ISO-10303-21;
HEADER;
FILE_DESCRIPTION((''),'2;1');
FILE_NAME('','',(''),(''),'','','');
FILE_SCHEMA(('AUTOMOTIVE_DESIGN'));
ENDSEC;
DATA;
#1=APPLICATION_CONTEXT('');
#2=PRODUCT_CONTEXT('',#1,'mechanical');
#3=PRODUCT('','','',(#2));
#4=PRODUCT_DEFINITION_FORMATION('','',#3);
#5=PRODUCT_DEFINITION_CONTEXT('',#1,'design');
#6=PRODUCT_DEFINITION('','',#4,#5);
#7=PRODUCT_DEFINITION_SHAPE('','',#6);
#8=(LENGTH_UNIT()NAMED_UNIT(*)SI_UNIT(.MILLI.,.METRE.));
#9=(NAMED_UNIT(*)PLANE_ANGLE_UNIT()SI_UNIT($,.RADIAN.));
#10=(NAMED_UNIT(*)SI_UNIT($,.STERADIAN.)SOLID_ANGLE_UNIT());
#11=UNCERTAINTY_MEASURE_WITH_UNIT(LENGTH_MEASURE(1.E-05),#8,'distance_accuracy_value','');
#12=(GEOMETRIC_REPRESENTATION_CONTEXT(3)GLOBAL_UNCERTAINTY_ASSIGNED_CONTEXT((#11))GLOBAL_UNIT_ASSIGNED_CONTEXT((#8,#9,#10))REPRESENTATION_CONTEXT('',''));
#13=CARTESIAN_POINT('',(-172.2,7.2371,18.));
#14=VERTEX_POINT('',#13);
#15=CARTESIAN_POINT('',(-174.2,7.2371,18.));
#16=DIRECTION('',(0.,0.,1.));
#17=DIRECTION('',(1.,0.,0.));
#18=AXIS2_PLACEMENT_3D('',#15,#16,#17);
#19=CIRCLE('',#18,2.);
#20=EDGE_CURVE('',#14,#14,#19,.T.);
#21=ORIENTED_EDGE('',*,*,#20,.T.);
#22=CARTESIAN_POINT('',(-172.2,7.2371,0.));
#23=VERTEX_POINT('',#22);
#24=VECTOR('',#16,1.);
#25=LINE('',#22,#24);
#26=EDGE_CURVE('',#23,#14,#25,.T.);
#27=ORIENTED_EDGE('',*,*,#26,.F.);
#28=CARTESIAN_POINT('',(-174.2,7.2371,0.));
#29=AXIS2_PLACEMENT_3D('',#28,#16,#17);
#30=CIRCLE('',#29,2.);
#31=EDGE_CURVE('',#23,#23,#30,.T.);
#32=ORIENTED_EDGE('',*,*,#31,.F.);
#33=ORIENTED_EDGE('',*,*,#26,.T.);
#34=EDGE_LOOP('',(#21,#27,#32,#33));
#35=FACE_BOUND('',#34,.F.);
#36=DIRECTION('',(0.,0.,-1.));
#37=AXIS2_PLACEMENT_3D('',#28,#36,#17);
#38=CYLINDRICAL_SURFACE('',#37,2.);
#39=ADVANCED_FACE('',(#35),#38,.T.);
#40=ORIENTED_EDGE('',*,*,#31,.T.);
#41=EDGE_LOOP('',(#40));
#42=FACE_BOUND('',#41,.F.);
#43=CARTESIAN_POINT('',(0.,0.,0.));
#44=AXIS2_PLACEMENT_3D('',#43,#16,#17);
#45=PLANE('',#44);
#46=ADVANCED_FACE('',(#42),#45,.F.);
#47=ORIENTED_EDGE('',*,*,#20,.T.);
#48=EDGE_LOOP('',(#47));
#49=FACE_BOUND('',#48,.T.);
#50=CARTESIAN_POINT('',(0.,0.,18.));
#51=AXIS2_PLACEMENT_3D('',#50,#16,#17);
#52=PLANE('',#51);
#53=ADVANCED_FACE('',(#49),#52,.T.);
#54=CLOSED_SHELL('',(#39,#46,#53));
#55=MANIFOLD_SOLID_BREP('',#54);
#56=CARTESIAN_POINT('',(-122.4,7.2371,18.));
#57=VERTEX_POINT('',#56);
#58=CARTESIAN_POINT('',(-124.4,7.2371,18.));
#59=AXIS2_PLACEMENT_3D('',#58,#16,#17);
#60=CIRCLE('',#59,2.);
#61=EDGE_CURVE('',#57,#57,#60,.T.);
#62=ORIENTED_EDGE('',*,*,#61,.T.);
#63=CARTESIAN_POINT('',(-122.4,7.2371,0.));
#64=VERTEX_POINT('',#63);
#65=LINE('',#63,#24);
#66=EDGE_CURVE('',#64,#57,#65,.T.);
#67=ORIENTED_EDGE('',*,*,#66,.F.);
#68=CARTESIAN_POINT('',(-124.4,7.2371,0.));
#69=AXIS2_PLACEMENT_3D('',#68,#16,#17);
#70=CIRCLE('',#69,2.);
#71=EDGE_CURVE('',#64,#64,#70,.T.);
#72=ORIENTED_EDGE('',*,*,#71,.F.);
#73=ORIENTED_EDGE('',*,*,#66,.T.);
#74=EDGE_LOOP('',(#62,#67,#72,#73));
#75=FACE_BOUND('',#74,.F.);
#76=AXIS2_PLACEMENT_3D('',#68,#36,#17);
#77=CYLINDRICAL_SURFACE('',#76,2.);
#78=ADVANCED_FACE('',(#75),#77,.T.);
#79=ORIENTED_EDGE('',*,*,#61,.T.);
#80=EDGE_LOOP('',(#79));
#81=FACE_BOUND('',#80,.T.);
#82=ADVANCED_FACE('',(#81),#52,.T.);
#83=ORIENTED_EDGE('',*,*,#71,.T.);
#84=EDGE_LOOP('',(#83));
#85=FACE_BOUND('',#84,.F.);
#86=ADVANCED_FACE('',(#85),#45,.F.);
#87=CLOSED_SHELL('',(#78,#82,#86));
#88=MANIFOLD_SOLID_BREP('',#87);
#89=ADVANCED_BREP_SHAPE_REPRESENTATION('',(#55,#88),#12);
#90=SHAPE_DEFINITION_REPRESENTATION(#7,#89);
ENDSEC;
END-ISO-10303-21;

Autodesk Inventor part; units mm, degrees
ref_plane "YZ Plane" through (0, 0, 0) normal (1, 0, 0) x (0, 1, 0)
ref_plane "XZ Plane" through (0, 0, 0) normal (0, 1, 0) x (-1, 0, 0)
ref_plane "XY Plane" through (0, 0, 0) normal (0, 0, 1) x (1, 0, 0)
sketch "Boceto1" plane through (0, 0, 0) normal (0, 0, 1) x (1, 0, 0)
  circle A0 centre (-124.4, 7.2371) radius 2
  circle A1 centre (-174.2, 7.2371) radius 2
  point P0 (0, 0)
  dimension "d0" = 4
  dimension "d2" = 124.4
  dimension "d3" = 174.2
extrude "Extrusión1" add sketch "Boceto1" along normal blind 18
